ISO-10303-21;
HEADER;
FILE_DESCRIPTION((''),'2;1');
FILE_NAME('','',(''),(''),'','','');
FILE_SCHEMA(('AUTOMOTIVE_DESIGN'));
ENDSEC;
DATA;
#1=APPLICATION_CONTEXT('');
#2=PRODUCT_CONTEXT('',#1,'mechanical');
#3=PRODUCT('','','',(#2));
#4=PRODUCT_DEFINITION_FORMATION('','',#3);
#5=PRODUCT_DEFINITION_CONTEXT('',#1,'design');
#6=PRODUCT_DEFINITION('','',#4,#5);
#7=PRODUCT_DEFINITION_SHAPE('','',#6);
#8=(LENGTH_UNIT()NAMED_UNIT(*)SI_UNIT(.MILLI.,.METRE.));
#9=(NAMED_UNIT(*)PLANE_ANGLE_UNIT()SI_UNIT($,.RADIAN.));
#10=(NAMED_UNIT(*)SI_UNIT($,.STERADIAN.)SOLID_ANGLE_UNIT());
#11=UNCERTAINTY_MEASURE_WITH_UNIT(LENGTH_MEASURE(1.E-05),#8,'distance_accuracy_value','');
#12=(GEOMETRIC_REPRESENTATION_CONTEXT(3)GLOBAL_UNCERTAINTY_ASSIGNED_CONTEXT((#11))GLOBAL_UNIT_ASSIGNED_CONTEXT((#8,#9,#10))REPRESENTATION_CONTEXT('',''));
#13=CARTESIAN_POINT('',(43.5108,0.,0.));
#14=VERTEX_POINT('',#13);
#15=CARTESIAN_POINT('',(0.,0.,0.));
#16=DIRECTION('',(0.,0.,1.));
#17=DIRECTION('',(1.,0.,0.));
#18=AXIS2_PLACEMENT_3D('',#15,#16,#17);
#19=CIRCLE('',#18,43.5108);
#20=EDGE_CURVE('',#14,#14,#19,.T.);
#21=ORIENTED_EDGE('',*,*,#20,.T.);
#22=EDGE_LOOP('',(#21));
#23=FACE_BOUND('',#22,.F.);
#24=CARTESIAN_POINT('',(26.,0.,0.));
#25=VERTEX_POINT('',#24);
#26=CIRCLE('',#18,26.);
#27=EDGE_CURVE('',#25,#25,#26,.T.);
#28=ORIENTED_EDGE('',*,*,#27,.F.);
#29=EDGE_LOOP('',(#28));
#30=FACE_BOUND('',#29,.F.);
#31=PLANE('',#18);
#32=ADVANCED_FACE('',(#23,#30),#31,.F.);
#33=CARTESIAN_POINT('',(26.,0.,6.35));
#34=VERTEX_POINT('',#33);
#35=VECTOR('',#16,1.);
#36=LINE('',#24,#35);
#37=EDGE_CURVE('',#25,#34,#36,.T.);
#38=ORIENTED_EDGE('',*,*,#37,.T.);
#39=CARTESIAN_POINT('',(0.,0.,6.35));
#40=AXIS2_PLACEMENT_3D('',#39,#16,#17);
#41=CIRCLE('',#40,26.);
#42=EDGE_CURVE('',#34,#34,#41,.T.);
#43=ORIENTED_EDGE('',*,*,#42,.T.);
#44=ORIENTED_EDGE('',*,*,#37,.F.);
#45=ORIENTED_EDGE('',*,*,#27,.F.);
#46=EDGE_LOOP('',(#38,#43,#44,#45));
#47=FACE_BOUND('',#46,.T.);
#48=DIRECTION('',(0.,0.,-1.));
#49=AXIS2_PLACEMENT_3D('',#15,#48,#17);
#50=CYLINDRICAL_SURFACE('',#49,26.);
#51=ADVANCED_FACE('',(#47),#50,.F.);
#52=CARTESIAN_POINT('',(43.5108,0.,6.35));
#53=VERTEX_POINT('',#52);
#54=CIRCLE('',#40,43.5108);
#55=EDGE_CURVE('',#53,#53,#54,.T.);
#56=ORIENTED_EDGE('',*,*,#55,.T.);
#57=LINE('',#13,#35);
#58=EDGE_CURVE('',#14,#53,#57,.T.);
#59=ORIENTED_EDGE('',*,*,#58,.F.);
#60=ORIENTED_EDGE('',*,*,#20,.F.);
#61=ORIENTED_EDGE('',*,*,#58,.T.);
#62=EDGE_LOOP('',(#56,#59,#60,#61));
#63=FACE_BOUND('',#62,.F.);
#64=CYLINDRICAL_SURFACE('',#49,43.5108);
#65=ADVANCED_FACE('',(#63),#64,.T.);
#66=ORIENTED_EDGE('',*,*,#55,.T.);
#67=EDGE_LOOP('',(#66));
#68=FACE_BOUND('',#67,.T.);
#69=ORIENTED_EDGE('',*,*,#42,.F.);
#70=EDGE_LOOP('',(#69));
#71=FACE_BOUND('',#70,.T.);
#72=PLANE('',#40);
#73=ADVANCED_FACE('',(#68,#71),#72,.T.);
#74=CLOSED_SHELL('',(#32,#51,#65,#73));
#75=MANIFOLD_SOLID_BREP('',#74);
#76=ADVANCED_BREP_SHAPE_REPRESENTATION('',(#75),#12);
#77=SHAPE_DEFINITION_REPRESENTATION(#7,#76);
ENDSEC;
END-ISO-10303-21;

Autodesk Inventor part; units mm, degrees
ref_plane "YZ Plane" through (0, 0, 0) normal (1, 0, 0) x (0, 1, 0)
ref_plane "XZ Plane" through (0, 0, 0) normal (0, 1, 0) x (-1, 0, 0)
ref_plane "XY Plane" through (0, 0, 0) normal (0, 0, 1) x (1, 0, 0)
sketch "Эскиз1" plane through (0, 0, 0) normal (0, 0, 1) x (1, 0, 0)
  circle A0 centre (0, 0) radius 26
  circle A1 centre (0, 0) radius 43.5108
  dimension "d0" = 52
extrude "Выдавливание1" add sketch "Эскиз1" along normal blind 6.35
properties part number "шест"
